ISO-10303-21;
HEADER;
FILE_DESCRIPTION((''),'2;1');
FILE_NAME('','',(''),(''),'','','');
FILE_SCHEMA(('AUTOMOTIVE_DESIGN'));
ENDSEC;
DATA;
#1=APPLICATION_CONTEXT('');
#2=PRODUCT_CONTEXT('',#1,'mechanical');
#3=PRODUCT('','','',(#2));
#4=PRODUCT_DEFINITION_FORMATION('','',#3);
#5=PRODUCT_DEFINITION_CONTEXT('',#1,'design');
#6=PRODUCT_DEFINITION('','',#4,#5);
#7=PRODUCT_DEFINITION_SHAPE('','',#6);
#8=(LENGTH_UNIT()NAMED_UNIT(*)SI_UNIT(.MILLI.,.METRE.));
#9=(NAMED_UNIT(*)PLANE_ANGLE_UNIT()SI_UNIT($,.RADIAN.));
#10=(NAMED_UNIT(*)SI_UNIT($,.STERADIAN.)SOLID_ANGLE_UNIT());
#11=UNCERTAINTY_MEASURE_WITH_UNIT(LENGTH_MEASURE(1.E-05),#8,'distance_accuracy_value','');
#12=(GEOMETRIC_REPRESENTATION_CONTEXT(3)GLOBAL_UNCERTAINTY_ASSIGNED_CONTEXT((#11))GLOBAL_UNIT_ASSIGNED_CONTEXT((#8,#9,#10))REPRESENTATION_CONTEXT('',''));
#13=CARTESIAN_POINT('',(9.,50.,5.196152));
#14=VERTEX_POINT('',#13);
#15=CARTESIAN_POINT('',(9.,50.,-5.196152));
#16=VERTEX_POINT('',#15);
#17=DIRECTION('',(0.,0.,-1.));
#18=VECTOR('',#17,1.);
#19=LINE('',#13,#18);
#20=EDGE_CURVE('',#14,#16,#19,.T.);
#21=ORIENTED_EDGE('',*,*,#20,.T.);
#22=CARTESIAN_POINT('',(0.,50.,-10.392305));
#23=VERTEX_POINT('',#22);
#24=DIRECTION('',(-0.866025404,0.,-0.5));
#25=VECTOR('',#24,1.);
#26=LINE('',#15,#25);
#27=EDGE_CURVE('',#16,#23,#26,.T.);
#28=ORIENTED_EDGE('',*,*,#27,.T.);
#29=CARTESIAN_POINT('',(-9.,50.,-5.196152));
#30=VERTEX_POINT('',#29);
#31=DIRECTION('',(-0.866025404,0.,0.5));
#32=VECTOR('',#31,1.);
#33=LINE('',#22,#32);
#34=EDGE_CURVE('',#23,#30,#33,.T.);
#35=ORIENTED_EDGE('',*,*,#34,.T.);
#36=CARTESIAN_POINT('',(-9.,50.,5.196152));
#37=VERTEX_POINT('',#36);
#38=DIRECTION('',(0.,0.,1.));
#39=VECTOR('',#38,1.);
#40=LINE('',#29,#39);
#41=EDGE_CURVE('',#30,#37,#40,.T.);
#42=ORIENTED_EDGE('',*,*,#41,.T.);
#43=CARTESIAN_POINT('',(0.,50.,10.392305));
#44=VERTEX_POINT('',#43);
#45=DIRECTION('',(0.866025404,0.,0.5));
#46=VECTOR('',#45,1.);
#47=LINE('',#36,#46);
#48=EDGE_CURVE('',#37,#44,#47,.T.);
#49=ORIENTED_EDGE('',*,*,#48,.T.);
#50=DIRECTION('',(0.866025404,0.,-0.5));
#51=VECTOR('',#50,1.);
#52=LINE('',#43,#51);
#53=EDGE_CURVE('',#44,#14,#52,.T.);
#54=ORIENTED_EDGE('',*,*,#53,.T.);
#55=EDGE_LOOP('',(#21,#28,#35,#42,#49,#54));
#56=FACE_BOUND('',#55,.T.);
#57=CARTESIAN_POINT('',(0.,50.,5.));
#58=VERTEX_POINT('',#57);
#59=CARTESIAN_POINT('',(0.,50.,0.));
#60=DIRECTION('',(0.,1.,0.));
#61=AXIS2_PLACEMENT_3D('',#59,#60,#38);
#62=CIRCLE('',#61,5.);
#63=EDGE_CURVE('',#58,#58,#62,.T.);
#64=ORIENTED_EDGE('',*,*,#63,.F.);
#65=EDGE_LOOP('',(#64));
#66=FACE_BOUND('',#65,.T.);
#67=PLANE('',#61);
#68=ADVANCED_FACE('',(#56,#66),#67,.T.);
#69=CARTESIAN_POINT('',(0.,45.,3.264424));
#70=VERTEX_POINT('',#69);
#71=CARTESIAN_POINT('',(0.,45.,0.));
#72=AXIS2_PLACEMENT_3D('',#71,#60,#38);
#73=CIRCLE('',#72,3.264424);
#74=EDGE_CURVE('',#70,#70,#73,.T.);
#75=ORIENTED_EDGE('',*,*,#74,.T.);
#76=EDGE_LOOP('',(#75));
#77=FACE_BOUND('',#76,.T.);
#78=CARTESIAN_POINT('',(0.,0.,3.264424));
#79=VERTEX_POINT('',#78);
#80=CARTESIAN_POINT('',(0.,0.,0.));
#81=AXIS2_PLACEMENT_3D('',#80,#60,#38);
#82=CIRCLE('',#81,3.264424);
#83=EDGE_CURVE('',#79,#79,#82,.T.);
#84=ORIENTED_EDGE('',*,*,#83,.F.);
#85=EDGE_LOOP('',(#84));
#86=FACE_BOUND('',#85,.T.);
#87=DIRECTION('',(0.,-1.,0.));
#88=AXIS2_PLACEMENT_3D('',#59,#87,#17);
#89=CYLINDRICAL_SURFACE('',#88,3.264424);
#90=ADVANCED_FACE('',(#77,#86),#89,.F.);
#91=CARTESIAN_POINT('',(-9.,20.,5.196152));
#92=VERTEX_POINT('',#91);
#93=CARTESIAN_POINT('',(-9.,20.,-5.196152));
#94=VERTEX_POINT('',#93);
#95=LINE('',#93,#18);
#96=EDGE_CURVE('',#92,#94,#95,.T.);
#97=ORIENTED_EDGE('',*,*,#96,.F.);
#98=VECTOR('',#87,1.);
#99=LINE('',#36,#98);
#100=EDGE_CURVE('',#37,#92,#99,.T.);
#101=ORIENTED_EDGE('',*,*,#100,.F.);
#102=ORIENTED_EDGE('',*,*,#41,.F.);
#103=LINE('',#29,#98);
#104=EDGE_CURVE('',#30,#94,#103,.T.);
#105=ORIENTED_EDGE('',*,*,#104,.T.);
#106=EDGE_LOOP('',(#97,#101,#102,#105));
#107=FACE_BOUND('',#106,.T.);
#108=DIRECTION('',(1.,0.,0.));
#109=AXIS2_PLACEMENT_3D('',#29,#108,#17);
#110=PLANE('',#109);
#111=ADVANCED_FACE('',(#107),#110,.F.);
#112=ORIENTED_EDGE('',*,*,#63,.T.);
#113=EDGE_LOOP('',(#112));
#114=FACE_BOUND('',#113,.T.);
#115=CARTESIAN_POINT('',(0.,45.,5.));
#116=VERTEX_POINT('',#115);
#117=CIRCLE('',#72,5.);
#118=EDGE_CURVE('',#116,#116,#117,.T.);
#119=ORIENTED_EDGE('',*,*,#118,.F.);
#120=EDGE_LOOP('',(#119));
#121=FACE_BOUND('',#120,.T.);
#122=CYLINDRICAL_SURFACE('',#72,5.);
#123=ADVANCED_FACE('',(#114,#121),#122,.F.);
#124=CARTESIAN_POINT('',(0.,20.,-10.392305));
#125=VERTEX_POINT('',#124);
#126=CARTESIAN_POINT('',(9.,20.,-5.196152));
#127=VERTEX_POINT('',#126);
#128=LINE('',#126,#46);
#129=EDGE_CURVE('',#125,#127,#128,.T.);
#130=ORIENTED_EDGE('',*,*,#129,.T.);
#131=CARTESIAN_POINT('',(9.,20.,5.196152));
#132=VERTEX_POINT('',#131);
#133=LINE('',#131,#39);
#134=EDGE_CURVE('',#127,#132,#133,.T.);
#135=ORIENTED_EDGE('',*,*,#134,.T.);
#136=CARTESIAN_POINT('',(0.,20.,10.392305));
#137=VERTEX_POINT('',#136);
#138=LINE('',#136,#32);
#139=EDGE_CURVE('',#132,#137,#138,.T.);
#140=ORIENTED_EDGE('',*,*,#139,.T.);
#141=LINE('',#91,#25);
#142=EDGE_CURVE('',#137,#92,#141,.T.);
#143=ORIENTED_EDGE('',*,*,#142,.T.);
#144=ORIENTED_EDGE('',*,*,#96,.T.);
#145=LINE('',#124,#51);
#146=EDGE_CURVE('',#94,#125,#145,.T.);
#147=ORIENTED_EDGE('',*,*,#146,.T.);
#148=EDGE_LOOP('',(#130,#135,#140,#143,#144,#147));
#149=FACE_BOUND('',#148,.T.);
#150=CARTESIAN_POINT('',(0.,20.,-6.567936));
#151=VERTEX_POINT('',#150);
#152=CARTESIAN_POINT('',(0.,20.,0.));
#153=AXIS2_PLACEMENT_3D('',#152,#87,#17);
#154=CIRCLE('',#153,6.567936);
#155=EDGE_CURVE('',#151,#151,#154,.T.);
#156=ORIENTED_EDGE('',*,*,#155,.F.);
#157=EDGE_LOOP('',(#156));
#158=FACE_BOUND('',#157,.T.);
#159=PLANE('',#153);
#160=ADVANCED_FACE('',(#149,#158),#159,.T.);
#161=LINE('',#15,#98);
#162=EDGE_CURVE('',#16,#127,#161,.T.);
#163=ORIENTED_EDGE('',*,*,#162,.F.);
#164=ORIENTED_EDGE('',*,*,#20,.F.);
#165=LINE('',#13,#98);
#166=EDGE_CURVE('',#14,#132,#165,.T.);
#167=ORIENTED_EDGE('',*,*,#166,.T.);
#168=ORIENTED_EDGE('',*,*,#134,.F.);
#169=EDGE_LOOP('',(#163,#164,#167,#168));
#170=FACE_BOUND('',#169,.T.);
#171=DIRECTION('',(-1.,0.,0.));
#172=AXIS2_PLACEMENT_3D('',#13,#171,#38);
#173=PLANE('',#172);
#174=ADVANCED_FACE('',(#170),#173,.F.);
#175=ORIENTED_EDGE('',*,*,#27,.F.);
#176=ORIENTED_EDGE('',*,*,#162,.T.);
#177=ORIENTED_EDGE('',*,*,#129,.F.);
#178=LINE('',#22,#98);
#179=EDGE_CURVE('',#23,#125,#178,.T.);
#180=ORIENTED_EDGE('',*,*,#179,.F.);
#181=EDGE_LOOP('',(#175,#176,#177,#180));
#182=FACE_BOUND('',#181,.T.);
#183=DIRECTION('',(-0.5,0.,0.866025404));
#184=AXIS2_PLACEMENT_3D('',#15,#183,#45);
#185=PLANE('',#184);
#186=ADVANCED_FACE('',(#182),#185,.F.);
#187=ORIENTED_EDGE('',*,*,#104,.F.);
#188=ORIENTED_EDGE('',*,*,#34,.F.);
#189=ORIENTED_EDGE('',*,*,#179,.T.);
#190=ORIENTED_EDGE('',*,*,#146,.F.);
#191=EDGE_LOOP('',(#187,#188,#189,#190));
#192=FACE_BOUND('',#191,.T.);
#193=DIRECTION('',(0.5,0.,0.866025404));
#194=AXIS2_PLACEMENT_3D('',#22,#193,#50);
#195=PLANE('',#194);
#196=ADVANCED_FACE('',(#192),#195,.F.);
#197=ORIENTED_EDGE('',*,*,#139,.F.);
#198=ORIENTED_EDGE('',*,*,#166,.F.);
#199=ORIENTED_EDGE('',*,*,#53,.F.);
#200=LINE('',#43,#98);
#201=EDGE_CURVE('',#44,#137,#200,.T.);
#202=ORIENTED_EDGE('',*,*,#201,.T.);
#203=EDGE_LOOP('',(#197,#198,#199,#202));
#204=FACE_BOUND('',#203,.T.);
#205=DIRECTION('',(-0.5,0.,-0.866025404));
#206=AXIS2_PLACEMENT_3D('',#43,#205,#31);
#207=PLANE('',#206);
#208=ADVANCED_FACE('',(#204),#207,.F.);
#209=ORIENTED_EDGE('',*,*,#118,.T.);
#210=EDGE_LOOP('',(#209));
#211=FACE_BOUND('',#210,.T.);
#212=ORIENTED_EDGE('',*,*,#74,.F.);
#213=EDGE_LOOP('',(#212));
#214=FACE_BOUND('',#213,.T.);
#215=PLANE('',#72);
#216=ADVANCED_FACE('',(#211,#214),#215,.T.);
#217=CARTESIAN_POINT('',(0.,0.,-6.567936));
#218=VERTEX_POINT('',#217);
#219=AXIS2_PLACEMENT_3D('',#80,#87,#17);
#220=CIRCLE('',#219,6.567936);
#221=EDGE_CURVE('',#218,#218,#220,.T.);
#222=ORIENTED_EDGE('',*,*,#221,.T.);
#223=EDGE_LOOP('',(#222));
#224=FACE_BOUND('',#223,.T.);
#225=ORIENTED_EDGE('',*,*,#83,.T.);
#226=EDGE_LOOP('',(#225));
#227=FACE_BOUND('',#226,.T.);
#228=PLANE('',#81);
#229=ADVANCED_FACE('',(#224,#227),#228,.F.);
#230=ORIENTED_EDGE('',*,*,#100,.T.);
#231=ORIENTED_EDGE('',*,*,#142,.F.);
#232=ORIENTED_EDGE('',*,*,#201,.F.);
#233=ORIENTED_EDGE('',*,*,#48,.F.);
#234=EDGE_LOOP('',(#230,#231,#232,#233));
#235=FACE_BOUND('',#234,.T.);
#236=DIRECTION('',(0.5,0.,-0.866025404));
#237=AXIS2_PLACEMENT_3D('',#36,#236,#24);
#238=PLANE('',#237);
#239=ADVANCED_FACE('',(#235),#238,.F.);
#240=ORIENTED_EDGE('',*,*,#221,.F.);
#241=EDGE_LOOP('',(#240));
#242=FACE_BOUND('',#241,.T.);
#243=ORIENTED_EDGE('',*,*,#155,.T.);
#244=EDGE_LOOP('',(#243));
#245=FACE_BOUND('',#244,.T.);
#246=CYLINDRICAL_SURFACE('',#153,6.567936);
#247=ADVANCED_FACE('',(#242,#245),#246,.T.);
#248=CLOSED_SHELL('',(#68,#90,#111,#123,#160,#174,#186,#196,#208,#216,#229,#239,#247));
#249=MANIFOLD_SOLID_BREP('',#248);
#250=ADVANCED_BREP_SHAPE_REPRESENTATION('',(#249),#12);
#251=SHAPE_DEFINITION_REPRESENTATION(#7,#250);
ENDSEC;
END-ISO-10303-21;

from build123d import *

# Parameters (mm, degrees)
SKETCH_1_R          = 3.264424224
EXTRUDE_1_DEPTH     = 50
SKETCH_2_OUTSIDE_W  = 31.412
SKETCH_2_OUTSIDE_H  = 34.196
SKETCH_2_OUTSIDE_R  = 6.567936001
CUT_EXTRUDE_1_DEPTH = 20
SKETCH_3_R          = 5
CUT_EXTRUDE_2_DEPTH = 5


with BuildPart() as part:
    # Эскиз1 → Бобышка-Вытянуть1 (new body)
    with BuildSketch(Plane(origin=(0, 0, 0), x_dir=(1, 0, 0), z_dir=(0, 1, 0))):
        Polygon((0, 10.392304845), (-9, 5.196152423), (-9, -5.196152423), (0, -10.392304845), (9, -5.196152423), (9, 5.196152423), align=None)
        Circle(SKETCH_1_R, mode=Mode.SUBTRACT)
    extrude(amount=EXTRUDE_1_DEPTH)

    # Эскиз2 outside → Вырез-Вытянуть1 (cut)
    with BuildSketch(Plane.XZ):
        Rectangle(SKETCH_2_OUTSIDE_W, SKETCH_2_OUTSIDE_H)
        Circle(SKETCH_2_OUTSIDE_R, mode=Mode.SUBTRACT)
    extrude(amount=-CUT_EXTRUDE_1_DEPTH, mode=Mode.SUBTRACT)

    # Эскиз3 → Вырез-Вытянуть2 (cut)
    with BuildSketch(Plane(origin=(0, 50, 0), x_dir=(1, 0, 0), z_dir=(0, 1, 0))):
        Circle(SKETCH_3_R)
    extrude(amount=-CUT_EXTRUDE_2_DEPTH, mode=Mode.SUBTRACT)


solid = part.part
